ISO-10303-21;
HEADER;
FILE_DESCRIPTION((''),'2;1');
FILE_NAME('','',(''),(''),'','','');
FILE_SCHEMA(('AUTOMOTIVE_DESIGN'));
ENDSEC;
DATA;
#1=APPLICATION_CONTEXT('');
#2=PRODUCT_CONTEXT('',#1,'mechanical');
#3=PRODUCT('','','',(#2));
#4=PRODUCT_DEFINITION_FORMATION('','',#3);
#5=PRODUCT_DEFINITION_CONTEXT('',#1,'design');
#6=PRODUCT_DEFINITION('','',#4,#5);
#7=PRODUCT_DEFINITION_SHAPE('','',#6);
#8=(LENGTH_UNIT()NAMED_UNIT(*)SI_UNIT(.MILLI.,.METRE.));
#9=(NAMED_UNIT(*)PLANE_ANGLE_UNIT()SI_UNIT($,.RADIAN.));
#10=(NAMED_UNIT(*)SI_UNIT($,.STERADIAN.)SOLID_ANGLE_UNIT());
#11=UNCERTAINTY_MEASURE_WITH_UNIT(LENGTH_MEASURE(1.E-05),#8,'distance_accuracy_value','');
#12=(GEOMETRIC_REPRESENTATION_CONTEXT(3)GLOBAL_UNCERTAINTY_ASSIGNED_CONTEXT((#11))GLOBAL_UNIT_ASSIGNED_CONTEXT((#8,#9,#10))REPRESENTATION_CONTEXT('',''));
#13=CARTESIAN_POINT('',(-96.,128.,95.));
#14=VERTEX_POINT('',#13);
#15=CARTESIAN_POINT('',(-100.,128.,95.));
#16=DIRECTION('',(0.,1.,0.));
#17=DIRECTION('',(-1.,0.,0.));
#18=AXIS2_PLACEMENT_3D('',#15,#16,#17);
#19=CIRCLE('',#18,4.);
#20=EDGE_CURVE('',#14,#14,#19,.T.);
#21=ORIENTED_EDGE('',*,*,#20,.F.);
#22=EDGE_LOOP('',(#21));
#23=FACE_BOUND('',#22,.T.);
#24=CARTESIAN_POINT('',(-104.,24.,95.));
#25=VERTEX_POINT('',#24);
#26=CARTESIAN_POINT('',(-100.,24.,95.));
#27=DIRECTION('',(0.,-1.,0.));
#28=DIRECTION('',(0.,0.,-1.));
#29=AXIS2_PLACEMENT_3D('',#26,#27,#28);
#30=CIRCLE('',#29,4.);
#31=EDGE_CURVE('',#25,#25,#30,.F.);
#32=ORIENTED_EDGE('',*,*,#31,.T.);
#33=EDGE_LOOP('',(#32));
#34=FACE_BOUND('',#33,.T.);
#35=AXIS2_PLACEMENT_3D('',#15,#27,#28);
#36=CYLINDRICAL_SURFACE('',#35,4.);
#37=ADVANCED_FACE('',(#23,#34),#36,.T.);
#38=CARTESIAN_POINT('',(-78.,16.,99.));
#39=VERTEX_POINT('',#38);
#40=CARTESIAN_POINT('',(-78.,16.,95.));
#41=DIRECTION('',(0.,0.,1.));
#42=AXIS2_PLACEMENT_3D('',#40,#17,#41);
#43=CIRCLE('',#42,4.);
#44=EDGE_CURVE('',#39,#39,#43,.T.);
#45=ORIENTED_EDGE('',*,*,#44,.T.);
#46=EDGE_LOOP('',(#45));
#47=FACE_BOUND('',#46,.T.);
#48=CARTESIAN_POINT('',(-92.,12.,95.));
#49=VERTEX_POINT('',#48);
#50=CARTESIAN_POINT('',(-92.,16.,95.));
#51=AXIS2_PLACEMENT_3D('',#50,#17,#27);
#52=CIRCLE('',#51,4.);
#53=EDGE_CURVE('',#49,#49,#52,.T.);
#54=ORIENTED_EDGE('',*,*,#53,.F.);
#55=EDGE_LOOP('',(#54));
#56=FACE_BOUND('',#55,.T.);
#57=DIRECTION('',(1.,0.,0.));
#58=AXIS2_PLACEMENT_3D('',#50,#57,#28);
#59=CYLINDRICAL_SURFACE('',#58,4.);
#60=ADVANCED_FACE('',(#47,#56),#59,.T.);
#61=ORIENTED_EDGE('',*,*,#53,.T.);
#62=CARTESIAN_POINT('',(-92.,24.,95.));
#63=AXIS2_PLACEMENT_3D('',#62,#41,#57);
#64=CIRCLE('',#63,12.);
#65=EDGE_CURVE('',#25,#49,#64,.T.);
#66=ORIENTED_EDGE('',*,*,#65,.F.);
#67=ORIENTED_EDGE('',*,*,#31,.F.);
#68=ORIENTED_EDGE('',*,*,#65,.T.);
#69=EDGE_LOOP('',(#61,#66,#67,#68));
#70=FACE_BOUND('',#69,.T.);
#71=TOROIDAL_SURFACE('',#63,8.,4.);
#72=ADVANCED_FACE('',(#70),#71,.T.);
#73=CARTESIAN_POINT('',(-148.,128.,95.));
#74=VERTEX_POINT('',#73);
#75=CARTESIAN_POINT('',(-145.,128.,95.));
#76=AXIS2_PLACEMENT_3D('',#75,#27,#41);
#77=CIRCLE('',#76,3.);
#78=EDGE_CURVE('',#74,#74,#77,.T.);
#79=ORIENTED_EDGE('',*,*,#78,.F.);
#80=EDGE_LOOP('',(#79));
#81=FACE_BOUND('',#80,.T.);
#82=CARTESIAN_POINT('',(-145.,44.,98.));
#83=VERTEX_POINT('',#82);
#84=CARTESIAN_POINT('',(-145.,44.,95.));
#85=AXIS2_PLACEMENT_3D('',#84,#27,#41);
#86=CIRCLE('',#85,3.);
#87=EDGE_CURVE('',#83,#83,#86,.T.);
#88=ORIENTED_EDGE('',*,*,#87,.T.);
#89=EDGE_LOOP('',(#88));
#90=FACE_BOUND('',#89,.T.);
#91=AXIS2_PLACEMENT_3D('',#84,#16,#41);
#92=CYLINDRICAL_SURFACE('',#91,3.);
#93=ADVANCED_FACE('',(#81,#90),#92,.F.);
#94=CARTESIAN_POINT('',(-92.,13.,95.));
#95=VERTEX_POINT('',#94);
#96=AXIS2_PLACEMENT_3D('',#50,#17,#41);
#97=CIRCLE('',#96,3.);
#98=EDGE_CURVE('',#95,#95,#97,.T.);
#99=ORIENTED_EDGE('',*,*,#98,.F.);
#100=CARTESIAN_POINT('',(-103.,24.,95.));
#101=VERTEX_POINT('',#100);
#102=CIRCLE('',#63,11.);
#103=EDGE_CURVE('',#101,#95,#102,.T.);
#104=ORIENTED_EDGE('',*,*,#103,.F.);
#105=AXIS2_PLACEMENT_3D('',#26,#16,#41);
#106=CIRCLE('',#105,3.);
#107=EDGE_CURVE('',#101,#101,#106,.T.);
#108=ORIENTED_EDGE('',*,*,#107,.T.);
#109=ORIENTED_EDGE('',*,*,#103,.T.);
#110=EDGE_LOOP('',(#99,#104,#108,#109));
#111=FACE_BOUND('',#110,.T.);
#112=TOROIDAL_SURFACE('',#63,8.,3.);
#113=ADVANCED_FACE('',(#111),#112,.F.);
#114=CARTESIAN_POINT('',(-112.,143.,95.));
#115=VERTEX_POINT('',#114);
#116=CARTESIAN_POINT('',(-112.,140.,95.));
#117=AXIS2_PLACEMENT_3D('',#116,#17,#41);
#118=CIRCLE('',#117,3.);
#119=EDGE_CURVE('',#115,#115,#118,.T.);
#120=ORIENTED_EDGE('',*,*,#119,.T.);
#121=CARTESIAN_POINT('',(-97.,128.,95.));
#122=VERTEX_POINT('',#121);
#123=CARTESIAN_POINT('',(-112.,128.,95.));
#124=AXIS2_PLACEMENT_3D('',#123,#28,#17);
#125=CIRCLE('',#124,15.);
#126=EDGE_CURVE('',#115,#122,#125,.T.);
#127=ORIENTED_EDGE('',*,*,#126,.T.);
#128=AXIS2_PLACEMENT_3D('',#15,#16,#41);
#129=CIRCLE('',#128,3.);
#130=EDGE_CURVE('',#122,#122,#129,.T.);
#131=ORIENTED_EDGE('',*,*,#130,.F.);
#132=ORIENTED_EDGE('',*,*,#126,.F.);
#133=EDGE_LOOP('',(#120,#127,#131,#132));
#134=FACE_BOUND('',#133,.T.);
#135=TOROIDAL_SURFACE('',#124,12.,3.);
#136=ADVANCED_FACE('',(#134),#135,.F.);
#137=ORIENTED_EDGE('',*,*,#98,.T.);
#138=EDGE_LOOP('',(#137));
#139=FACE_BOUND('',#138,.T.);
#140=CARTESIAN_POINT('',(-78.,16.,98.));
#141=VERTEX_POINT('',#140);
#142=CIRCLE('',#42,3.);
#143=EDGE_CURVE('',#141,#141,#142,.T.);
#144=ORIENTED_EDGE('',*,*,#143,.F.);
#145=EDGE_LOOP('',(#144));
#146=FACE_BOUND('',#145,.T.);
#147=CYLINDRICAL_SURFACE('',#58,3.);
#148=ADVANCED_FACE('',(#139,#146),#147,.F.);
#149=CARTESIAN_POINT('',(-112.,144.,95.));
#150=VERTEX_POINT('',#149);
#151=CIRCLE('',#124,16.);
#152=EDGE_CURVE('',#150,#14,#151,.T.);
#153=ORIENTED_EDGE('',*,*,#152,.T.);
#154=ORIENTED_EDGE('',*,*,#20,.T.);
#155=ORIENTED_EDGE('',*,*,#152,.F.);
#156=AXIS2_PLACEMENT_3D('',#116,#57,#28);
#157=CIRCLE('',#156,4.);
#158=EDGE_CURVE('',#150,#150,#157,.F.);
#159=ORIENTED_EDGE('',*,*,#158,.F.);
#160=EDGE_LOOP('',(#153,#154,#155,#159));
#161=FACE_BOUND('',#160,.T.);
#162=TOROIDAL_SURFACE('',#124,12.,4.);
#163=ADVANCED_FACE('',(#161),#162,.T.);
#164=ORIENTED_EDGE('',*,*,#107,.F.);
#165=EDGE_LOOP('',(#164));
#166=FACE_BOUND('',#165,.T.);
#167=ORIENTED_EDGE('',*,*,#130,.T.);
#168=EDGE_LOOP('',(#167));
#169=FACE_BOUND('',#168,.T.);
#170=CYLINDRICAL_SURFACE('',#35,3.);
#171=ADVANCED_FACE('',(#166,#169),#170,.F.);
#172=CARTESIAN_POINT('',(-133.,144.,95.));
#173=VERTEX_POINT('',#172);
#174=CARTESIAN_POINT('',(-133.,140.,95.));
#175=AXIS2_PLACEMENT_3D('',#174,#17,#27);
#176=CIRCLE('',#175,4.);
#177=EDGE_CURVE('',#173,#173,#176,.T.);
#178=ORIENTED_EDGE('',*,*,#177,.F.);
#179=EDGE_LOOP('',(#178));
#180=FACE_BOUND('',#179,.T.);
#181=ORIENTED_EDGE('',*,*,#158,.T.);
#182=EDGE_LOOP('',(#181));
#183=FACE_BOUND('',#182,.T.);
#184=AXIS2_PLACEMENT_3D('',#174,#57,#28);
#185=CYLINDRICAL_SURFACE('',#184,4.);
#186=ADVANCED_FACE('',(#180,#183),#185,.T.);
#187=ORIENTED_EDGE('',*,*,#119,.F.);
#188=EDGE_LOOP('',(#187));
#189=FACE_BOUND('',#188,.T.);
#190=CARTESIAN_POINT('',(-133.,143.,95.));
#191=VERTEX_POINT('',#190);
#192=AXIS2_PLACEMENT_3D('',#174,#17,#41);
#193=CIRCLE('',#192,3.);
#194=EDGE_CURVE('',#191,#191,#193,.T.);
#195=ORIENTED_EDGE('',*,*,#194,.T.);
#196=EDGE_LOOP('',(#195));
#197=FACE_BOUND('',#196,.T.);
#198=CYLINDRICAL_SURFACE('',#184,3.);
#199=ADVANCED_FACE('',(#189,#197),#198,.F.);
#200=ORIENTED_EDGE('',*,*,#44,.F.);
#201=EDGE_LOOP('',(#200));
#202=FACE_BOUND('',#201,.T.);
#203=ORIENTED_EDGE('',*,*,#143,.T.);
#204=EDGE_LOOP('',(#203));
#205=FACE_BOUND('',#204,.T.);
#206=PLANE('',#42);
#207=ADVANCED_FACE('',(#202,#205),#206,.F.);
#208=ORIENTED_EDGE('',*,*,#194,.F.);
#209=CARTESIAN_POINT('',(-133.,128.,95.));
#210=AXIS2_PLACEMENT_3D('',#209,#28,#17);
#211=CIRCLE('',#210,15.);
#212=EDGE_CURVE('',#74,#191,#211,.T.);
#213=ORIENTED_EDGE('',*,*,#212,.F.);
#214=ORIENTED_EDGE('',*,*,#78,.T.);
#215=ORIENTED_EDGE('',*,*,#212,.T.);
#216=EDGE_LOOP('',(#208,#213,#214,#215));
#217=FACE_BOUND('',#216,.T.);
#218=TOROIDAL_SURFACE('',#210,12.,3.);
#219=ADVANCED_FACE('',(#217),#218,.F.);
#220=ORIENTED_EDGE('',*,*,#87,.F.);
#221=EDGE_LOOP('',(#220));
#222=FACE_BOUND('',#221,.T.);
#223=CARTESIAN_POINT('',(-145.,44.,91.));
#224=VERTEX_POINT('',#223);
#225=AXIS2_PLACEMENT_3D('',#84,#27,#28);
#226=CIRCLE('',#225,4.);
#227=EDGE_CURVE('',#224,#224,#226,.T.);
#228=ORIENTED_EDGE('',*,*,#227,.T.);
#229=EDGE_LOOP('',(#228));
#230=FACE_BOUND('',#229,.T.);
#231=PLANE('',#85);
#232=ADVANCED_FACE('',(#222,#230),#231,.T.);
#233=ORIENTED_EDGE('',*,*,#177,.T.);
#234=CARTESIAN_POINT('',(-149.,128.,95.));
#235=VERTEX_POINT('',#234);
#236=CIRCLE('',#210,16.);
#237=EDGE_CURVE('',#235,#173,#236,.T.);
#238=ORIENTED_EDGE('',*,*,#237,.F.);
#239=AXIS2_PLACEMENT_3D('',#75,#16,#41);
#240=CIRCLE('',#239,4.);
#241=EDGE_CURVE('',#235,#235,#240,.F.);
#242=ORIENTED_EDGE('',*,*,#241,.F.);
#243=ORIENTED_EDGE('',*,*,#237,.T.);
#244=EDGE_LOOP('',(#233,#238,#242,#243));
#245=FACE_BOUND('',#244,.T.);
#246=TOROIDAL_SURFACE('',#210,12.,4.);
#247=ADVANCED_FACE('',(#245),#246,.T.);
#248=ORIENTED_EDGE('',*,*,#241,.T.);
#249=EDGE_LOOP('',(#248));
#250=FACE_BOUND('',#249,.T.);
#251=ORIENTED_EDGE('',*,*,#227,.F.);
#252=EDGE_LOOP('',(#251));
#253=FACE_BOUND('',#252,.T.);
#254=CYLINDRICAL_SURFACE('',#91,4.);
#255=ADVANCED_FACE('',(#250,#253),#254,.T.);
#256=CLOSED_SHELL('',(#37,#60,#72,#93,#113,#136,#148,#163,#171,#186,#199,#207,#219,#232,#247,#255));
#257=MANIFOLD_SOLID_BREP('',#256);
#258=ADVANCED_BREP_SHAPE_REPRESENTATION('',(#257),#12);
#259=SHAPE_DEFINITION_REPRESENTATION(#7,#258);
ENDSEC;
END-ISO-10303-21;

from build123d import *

# Parameters (mm, degrees)
TUBE_PROFILE_R   = 4
TUBE_PROFILE_R_2 = 3


with BuildPart() as part:
    # Tube: sweep along a curve in space
    with BuildLine() as tube_path:
        Line((-145, 44, 95), (-145, 128, 95))
        ThreePointArc((-133, 140, 95), (-141.485281374, 136.485281374, 95), (-145, 128, 95))
        Line((-133, 140, 95), (-112, 140, 95))
        ThreePointArc((-100, 128, 95), (-103.514718626, 136.485281374, 95), (-112, 140, 95))
        Line((-100, 128, 95), (-100, 24, 95))
        ThreePointArc((-92, 16, 95), (-97.656854249, 18.343145751, 95), (-100, 24, 95))
        Line((-92, 16, 95), (-78, 16, 95))
    # Tube profile (on start of the path) → Tube (sweep)
    with BuildSketch(Plane(origin=(-145, 44, 95), x_dir=(0, 0, 1), z_dir=(0, 1, 0))):
        Circle(TUBE_PROFILE_R)
        Circle(TUBE_PROFILE_R_2, mode=Mode.SUBTRACT)
    sweep(path=tube_path.line)


solid = part.part
